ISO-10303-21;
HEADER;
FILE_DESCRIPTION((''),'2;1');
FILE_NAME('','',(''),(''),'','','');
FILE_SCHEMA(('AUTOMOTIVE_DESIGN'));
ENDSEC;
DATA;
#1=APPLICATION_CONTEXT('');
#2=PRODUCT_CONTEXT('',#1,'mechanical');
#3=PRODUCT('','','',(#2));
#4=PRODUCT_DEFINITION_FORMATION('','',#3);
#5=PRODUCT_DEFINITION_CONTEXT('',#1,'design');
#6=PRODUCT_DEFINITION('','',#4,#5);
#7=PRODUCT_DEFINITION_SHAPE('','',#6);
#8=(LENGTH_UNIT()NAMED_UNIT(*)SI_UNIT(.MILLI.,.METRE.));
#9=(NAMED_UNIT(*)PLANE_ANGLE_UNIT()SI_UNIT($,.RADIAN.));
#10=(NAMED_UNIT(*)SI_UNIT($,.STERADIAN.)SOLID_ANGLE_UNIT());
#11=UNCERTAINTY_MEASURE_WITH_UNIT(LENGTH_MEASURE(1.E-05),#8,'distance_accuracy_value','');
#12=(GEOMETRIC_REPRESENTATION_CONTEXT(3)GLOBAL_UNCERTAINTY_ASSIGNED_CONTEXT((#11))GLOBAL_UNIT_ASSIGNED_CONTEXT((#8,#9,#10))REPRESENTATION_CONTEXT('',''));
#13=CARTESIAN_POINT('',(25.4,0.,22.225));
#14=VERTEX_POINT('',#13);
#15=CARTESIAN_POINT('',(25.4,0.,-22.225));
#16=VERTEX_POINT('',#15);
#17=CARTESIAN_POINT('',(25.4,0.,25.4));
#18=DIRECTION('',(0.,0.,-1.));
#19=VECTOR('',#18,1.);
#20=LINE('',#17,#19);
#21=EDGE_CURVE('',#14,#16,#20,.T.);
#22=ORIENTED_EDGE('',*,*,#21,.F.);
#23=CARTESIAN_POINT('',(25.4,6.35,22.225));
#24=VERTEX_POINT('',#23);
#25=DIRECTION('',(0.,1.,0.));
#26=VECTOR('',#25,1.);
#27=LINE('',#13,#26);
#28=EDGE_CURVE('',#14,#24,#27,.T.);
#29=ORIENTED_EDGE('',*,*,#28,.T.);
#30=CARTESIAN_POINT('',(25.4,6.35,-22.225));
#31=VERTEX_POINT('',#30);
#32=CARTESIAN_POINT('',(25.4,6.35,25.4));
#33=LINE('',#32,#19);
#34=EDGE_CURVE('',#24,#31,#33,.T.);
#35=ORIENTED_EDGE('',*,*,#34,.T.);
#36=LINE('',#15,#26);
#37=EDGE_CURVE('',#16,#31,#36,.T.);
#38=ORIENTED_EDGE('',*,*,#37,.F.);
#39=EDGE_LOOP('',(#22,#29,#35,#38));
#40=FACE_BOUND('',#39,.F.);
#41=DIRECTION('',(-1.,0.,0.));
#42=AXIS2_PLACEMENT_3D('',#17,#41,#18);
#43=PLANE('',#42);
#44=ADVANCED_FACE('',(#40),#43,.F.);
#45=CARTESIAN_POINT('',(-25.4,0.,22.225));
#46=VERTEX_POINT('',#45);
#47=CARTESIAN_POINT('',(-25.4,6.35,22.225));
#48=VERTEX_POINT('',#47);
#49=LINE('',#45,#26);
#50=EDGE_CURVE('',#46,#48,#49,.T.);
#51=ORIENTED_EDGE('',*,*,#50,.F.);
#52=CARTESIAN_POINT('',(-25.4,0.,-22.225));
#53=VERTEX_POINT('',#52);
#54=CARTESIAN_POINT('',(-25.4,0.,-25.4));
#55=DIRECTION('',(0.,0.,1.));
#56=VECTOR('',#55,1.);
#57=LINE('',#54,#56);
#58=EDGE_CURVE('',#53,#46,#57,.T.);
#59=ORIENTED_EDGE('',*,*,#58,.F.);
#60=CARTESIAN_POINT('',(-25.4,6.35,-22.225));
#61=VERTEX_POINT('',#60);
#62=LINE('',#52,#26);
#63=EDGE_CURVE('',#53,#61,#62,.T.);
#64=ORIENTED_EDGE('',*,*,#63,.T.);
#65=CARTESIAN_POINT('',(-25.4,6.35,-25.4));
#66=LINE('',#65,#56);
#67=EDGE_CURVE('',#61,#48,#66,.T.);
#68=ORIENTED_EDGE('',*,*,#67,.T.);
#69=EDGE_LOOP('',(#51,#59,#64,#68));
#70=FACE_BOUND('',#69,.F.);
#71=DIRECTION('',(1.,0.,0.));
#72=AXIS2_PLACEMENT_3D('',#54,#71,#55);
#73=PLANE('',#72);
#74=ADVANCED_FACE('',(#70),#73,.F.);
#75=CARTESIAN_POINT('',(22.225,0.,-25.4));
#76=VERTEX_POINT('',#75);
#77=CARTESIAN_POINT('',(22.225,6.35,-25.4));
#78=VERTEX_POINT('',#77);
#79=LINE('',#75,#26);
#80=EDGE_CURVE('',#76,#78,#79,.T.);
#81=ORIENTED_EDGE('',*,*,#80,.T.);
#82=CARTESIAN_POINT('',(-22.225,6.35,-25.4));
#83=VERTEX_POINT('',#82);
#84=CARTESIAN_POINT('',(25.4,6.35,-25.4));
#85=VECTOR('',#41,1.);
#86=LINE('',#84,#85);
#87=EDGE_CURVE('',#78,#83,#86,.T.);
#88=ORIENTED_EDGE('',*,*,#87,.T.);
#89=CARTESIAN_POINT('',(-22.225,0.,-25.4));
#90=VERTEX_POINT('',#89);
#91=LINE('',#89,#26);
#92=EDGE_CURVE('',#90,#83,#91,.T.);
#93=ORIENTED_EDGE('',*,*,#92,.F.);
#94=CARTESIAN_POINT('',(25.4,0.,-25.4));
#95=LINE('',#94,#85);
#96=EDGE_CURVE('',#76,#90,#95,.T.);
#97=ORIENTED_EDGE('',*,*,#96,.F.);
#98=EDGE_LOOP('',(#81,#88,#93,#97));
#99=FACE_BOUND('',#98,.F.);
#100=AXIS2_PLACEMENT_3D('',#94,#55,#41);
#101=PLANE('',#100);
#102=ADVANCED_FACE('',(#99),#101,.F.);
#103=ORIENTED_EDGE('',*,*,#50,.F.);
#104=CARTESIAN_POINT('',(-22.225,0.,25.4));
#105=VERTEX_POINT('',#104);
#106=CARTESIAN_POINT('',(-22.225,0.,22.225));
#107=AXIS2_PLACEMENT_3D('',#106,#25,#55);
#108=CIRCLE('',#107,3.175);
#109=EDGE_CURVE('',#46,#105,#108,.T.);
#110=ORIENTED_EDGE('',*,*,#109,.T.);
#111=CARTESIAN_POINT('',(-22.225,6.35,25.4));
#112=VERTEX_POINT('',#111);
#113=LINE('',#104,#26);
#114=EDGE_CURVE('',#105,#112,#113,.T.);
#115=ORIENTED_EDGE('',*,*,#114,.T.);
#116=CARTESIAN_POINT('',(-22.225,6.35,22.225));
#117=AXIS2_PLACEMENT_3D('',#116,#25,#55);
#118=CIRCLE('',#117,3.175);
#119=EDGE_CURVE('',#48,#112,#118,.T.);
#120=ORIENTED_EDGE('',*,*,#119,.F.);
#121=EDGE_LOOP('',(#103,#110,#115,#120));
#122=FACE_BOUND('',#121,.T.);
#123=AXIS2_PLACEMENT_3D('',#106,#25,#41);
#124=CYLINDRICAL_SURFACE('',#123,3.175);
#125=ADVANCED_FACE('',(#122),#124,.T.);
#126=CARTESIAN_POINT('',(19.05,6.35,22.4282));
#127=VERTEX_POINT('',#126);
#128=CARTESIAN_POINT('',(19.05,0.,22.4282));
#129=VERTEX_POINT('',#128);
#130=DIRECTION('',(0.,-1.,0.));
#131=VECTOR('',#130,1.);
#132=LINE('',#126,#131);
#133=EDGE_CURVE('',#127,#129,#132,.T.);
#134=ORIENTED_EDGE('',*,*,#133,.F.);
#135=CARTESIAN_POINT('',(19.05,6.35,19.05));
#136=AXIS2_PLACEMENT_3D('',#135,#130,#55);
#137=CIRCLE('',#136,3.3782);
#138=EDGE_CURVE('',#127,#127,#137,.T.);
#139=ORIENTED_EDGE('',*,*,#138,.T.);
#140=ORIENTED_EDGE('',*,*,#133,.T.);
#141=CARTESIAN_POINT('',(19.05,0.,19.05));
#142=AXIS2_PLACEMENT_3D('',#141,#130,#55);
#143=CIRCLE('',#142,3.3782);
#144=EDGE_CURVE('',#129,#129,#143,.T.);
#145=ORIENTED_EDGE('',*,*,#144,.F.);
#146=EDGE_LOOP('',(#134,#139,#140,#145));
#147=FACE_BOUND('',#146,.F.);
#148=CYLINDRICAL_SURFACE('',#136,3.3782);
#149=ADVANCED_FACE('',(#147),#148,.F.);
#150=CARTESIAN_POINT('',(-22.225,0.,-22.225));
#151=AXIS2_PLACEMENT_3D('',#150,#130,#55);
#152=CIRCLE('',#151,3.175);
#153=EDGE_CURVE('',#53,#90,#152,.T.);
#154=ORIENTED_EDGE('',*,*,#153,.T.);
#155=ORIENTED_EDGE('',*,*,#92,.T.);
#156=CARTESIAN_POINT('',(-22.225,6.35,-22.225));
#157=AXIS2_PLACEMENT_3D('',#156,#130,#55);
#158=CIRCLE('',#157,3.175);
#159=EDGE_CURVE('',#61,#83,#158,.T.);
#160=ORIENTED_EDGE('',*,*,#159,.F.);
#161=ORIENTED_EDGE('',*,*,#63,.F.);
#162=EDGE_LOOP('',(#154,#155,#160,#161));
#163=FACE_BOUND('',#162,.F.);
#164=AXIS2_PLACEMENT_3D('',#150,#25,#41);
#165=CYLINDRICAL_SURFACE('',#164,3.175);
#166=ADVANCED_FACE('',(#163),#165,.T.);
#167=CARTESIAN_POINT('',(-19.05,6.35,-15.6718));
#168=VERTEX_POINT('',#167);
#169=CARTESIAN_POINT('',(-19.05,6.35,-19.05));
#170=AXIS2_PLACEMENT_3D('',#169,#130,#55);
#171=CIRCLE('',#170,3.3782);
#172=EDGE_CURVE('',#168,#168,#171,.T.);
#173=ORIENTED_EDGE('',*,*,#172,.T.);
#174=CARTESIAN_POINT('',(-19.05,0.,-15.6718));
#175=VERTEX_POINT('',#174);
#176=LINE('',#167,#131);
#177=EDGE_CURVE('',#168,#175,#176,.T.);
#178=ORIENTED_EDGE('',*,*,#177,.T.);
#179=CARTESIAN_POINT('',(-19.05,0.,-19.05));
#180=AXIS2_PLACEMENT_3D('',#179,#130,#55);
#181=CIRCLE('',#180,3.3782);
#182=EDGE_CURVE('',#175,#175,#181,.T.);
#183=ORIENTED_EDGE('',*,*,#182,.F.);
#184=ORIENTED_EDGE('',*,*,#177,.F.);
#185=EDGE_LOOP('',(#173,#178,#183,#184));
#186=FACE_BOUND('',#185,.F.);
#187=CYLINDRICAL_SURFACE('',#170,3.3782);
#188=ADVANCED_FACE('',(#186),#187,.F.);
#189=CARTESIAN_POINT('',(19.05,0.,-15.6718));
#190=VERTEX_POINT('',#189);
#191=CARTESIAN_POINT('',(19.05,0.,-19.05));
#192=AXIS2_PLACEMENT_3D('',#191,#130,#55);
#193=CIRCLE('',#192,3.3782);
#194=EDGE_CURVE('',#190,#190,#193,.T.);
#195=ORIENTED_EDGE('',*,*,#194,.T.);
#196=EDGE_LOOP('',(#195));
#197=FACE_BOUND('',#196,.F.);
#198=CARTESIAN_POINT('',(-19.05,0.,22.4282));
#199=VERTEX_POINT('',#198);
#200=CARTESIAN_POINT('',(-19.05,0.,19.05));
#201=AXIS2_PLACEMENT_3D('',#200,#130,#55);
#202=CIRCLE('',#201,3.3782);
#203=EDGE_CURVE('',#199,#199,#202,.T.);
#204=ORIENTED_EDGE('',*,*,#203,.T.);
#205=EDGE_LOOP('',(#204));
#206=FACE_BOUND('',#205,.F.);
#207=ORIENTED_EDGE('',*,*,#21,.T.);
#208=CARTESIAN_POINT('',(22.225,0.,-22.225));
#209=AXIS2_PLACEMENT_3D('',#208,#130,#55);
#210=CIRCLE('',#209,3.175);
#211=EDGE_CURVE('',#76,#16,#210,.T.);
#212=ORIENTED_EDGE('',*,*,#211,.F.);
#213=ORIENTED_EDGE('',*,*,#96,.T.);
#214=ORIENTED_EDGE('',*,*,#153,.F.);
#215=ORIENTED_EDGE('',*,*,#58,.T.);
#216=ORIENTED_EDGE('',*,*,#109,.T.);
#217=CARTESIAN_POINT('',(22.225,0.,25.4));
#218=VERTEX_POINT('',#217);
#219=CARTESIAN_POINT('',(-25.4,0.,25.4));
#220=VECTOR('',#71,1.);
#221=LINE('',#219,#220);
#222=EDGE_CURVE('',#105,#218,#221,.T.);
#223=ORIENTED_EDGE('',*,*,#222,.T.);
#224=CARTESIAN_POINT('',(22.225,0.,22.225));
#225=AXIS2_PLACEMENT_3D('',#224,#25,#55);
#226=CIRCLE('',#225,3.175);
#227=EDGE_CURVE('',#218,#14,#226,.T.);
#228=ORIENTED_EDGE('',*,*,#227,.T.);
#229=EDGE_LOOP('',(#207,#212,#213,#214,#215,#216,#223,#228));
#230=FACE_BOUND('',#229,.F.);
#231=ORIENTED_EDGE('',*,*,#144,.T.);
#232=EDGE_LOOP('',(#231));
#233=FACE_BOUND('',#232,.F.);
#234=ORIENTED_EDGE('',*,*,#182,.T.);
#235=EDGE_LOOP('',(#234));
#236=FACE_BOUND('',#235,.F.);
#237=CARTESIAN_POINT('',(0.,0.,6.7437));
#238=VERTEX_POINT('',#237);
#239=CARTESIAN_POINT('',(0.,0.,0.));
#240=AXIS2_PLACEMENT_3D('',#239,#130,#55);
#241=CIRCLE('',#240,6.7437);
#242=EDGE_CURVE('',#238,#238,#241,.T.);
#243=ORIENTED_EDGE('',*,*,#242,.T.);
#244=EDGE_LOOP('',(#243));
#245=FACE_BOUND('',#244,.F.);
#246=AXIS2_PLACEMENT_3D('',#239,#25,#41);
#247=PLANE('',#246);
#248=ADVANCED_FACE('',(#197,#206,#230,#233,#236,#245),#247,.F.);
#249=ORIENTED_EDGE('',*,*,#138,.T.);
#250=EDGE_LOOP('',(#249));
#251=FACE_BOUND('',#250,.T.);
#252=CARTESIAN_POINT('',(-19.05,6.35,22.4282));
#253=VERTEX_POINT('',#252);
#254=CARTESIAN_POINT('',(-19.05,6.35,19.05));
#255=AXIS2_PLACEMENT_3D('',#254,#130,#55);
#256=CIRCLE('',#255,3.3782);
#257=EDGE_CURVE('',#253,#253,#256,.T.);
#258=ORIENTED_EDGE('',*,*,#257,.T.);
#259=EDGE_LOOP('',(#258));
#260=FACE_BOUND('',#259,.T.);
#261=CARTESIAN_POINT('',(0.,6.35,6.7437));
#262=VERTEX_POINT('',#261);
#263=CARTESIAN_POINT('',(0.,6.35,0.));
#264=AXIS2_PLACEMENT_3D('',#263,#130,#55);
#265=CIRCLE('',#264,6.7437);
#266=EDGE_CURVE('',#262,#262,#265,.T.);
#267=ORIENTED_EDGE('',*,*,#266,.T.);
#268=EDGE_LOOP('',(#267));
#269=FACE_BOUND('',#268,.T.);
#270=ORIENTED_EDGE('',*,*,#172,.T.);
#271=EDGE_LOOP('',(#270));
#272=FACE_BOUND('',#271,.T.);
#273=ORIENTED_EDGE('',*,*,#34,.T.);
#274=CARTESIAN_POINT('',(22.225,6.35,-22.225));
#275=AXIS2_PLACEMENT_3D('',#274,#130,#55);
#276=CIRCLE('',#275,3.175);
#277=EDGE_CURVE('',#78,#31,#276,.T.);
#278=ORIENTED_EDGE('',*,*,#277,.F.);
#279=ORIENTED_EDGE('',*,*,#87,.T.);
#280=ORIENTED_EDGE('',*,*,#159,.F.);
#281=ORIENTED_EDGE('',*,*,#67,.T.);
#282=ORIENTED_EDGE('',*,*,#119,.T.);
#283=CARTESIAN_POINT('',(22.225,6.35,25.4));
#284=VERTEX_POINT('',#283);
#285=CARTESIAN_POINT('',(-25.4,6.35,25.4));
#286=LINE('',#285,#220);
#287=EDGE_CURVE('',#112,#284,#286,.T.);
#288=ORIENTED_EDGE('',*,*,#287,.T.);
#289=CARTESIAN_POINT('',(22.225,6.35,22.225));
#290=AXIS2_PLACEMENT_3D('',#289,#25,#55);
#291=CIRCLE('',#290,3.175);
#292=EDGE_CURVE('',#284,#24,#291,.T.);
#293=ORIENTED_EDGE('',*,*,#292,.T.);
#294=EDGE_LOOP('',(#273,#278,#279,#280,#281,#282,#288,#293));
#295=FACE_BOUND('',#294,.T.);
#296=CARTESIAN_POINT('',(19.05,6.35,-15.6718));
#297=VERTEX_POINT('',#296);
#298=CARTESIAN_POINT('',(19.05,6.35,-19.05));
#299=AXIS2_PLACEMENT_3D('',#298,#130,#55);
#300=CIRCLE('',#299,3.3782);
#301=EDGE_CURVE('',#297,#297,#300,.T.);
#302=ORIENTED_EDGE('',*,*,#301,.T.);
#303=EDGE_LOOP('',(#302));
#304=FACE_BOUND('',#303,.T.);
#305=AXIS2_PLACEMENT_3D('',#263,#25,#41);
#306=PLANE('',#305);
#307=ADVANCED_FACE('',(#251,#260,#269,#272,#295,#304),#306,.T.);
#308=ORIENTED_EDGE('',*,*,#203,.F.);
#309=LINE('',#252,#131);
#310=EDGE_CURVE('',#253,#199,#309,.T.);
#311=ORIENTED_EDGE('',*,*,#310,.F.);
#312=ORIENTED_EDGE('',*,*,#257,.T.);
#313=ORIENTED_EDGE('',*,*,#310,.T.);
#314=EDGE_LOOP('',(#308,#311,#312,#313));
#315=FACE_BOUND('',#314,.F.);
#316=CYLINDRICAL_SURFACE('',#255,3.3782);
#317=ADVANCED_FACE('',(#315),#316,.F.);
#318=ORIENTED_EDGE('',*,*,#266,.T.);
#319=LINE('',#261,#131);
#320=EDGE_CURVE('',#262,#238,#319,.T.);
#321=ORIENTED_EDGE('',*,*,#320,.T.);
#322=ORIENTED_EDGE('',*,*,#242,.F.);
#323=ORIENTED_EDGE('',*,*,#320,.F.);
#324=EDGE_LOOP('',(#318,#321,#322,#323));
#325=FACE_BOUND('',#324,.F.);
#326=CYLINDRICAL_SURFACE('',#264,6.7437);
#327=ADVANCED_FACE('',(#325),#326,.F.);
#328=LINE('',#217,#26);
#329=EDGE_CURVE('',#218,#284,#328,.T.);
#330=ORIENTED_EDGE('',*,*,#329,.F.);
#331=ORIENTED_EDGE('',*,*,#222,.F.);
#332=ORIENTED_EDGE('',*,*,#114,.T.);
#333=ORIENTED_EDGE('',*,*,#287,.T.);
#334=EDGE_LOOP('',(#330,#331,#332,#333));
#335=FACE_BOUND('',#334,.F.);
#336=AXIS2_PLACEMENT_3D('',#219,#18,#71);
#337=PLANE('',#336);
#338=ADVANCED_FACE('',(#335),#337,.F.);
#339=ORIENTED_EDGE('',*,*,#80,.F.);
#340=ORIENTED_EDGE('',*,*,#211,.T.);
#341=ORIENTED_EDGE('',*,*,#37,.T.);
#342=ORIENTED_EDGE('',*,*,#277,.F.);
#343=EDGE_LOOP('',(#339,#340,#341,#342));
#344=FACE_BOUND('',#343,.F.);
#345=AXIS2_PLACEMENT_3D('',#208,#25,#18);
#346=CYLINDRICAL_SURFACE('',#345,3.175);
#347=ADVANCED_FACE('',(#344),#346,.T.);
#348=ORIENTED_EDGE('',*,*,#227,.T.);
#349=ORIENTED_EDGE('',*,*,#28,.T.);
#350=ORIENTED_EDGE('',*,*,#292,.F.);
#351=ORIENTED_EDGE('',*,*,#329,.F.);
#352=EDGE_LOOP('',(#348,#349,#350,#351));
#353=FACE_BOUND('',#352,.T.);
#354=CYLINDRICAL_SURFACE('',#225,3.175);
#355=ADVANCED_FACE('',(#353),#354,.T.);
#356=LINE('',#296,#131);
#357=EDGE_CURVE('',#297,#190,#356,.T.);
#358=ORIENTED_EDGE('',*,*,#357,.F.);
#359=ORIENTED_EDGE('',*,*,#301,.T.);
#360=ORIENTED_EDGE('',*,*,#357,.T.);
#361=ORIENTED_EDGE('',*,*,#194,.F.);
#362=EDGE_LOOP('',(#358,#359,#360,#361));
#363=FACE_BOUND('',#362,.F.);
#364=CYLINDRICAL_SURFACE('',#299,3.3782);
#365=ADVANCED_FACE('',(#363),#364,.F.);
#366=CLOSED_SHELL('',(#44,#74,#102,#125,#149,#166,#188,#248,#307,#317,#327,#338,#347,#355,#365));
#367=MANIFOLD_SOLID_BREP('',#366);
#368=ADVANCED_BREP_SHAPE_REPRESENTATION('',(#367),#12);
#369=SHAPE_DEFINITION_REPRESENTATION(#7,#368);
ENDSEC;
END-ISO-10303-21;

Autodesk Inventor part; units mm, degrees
ref_plane "YZ Plane" through (0, 0, 0) normal (1, 0, 0) x (0, 1, 0)
ref_plane "XZ Plane" through (0, 0, 0) normal (0, 1, 0) x (-1, 0, 0)
ref_plane "XY Plane" through (0, 0, 0) normal (0, 0, 1) x (1, 0, 0)
sketch "Sketch1" plane through (0, 0, 0) normal (0, 1, 0) x (-1, 0, 0)
  line L0 (25.4, 25.4) -> (-25.4, 25.4)
  line L1 (-25.4, 25.4) -> (-25.4, -25.4)
  line L2 (-25.4, -25.4) -> (25.4, -25.4)
  line L3 (25.4, -25.4) -> (25.4, 25.4)
  point P0 (0, 0)
  dimension "d0" = 50.8
  dimension "d1" = 50.8
  dimension "d2" = 25.4
  dimension "d3" = 25.4
extrude "Extrusion1" add sketch "Sketch1" along normal blind 6.35
sketch "Sketch2" plane through (0, 6.35, 0) normal (0, 1, 0) x (1, 0, 0)
  point P0 (0, 0)
  point P1 (-19.05, -19.05)
  point P2 (-19.05, 19.05)
  point P3 (19.05, 19.05)
  point P4 (19.05, -19.05)
  dimension "d6" = 38.1
  dimension "d7" = 38.1
  dimension "d8" = 19.05
  dimension "d9" = 19.05
hole "Hole1" at (-19.05, 6.35, 19.05) at (-19.05, 6.35, -19.05) at (19.05, 6.35, -19.05) at (19.05, 6.35, 19.05) direction (0, -1, 0) diameter 6.7564 end through all clearance for "Flat Head Machine Screw (82)" size "1/4" standard "Ansi Unified Screw Threads"
fillet "Fillet1" radius 3.175 4 edges at (-25.4, 3.175, 25.4) (-25.4, 3.175, -25.4) (25.4, 3.175, -25.4) (25.4, 3.175, 25.4)
sketch "Sketch3" plane through (0, 6.35, 0) normal (0, 1, 0) x (1, 0, 0)
  point P0 (0, 0)
  point P1 (0, 0)
hole "Hole2" at (0, 6.35, 0) direction (0, -1, 0) diameter 13.4874 end through all clearance for "Flat Head Machine Screw (82)" size "1/2" standard "Ansi Unified Screw Threads"
properties part number "Motor_Shaft_Attachment"
